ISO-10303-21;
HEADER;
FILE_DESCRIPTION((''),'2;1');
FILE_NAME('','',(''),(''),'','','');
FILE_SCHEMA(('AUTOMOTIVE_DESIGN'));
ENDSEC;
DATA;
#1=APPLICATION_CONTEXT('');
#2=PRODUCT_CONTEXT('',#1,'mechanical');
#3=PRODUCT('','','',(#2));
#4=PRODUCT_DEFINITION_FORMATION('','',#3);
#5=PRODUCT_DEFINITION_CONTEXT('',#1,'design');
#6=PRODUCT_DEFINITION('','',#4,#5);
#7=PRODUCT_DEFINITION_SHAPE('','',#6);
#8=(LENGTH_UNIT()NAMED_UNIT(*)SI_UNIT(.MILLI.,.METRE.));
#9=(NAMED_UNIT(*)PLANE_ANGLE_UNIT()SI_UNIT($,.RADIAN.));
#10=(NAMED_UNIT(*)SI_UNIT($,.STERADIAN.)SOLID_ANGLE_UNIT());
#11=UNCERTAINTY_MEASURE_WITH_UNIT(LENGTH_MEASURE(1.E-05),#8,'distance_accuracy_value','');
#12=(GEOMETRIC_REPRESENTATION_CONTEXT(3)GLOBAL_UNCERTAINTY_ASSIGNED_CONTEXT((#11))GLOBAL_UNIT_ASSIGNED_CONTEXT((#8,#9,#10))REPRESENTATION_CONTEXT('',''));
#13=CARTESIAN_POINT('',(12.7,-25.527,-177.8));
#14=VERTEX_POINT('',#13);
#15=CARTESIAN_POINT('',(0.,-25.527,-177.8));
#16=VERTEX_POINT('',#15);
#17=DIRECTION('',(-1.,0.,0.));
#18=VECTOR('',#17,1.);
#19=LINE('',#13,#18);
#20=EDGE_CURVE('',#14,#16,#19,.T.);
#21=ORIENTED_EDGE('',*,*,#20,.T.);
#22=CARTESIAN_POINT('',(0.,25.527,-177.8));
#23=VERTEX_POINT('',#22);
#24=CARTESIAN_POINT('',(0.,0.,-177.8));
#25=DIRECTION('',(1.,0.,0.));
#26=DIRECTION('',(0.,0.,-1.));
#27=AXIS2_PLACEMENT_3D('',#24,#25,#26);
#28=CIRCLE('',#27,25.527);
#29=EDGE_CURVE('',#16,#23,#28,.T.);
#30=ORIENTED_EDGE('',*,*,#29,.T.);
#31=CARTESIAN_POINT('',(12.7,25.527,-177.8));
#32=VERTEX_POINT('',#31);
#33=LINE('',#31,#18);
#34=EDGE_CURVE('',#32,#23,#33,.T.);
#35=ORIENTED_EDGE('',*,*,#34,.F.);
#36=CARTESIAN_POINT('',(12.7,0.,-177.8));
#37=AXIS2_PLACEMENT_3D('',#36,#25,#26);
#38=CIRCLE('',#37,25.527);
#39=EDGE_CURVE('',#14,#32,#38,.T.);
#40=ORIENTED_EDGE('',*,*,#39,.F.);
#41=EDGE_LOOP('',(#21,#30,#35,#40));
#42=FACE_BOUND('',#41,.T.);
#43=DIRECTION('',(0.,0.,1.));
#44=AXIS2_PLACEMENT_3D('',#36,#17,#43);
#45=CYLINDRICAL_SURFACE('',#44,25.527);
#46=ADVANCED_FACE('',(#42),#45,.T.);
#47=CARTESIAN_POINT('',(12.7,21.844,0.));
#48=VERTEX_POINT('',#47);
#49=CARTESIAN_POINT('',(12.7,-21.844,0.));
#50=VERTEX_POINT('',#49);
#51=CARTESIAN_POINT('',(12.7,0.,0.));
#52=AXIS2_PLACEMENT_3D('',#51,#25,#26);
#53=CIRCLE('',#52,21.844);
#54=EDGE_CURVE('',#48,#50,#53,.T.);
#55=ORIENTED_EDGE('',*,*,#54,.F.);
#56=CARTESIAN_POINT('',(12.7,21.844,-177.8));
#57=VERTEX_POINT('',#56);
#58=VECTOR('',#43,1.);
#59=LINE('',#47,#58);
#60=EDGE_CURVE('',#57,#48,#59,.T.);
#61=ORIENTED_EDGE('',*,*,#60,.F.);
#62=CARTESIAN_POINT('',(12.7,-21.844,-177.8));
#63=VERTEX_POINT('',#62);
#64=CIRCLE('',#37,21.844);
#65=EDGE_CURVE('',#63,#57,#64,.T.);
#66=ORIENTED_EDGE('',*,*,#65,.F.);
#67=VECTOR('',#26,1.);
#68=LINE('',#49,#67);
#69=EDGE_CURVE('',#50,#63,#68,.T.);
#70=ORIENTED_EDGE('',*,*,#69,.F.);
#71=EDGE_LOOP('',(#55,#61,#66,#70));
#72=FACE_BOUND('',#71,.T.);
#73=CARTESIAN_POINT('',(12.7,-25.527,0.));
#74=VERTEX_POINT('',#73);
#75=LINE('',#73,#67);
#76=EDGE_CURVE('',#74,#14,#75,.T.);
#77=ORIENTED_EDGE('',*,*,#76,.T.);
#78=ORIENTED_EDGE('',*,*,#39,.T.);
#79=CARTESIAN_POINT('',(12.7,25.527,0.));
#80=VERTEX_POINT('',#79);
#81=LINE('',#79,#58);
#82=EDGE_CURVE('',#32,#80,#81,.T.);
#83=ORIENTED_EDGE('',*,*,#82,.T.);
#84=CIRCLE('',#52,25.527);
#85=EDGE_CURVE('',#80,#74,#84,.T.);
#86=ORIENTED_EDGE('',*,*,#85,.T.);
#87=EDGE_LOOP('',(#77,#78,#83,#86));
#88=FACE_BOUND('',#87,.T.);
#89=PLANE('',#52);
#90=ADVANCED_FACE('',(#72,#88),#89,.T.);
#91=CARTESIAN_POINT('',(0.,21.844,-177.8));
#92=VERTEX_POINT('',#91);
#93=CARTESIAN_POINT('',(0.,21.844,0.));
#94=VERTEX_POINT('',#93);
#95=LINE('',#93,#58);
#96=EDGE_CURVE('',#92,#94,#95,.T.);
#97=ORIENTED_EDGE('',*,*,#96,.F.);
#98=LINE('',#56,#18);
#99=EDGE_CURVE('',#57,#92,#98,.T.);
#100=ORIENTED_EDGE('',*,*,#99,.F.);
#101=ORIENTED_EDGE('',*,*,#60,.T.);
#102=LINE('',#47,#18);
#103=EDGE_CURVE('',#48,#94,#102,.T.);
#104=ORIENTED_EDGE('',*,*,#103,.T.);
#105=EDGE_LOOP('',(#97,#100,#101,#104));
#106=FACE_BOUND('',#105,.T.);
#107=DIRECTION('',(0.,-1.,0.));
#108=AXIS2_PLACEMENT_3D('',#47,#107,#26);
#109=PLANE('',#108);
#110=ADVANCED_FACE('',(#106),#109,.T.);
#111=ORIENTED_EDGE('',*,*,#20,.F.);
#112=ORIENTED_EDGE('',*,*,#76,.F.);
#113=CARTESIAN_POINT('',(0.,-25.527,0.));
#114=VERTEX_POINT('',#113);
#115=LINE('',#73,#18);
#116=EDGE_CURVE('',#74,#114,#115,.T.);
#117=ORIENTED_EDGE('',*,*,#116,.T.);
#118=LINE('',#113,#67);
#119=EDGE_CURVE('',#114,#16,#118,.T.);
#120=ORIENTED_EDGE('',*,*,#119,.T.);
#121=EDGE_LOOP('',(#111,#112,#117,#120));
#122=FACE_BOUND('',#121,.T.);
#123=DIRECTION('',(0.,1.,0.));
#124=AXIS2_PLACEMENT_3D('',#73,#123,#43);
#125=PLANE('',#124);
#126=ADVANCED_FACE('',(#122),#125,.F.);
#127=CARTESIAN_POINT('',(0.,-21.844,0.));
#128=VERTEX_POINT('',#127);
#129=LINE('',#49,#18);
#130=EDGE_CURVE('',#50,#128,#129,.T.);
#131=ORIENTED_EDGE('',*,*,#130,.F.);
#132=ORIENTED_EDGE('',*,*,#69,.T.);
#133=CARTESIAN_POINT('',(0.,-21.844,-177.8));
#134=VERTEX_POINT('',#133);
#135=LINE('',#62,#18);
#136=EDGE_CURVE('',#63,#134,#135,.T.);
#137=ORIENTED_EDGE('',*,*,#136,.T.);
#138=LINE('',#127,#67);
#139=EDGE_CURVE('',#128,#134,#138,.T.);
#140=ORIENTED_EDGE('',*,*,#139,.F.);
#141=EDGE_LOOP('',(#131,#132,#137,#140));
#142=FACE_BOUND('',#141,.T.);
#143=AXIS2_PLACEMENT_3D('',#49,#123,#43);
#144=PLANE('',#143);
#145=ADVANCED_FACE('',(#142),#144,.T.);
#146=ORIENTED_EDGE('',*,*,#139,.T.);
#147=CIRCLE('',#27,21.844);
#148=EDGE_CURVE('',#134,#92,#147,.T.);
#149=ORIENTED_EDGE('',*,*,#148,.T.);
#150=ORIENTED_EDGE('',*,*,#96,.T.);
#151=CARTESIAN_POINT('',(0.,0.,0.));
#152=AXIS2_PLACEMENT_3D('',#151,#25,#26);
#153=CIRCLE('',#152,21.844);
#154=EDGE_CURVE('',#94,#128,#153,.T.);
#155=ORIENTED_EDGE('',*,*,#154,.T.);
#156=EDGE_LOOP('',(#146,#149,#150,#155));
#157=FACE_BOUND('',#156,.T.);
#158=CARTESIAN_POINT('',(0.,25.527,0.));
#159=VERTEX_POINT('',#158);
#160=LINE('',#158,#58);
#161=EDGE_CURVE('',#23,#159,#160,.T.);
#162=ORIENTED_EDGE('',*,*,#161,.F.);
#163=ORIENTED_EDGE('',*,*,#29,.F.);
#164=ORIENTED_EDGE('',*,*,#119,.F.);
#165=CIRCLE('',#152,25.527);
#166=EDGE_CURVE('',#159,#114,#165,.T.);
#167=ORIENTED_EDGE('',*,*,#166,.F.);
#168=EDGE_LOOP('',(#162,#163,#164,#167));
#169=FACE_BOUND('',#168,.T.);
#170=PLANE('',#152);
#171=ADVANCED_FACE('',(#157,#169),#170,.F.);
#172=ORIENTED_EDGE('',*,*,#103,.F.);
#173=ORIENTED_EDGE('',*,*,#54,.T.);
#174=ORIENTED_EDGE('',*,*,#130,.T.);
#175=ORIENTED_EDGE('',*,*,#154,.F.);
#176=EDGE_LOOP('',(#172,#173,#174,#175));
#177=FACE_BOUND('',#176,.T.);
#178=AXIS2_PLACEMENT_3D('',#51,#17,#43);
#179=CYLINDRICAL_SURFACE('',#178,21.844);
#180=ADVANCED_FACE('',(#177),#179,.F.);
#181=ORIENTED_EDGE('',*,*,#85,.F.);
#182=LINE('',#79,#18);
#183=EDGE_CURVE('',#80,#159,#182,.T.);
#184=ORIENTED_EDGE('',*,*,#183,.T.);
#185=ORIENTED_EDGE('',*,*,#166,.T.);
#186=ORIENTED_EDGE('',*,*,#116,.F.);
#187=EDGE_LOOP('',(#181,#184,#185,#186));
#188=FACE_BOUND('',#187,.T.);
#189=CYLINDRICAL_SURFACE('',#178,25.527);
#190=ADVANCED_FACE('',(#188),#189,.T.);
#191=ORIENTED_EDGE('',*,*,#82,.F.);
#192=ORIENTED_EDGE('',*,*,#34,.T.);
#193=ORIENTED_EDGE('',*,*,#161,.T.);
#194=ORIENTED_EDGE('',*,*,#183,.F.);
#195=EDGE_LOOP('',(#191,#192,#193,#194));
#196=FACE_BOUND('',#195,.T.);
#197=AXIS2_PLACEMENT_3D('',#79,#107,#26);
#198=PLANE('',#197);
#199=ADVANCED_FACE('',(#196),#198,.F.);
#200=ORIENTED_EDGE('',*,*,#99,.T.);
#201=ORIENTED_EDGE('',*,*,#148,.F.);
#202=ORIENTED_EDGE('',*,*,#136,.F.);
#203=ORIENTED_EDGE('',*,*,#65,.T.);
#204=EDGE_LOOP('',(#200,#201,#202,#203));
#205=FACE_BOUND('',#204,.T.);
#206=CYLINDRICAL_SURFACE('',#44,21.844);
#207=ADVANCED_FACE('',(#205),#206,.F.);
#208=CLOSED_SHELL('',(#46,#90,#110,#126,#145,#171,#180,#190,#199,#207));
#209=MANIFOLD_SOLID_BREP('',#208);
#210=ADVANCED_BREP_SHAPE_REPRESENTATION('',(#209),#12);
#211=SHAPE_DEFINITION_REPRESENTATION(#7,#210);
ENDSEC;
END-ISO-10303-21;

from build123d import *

# Parameters (mm, degrees)
BOSS_EXTRUDE1_DEPTH = 12.7


with BuildPart() as part:
    # Sketch1 → Boss-Extrude1 (new body)
    with BuildSketch(Plane(origin=(0, 0, 0), x_dir=(0, 0, -1), z_dir=(1, 0, 0))):
        with BuildLine():
            Line((0, 25.527), (177.8, 25.527))
            ThreePointArc((177.8, 25.527), (203.327, 0), (177.8, -25.527))
            Line((177.8, -25.527), (0, -25.527))
            ThreePointArc((0, -25.527), (-25.527, 0), (0, 25.527))
        make_face()
        with BuildLine():
            Line((0, 21.844), (177.8, 21.844))
            ThreePointArc((177.8, 21.844), (199.644, 0), (177.8, -21.844))
            Line((177.8, -21.844), (0, -21.844))
            ThreePointArc((0, -21.844), (-21.844, 0), (0, 21.844))
        make_face(mode=Mode.SUBTRACT)
    extrude(amount=BOSS_EXTRUDE1_DEPTH)


solid = part.part
